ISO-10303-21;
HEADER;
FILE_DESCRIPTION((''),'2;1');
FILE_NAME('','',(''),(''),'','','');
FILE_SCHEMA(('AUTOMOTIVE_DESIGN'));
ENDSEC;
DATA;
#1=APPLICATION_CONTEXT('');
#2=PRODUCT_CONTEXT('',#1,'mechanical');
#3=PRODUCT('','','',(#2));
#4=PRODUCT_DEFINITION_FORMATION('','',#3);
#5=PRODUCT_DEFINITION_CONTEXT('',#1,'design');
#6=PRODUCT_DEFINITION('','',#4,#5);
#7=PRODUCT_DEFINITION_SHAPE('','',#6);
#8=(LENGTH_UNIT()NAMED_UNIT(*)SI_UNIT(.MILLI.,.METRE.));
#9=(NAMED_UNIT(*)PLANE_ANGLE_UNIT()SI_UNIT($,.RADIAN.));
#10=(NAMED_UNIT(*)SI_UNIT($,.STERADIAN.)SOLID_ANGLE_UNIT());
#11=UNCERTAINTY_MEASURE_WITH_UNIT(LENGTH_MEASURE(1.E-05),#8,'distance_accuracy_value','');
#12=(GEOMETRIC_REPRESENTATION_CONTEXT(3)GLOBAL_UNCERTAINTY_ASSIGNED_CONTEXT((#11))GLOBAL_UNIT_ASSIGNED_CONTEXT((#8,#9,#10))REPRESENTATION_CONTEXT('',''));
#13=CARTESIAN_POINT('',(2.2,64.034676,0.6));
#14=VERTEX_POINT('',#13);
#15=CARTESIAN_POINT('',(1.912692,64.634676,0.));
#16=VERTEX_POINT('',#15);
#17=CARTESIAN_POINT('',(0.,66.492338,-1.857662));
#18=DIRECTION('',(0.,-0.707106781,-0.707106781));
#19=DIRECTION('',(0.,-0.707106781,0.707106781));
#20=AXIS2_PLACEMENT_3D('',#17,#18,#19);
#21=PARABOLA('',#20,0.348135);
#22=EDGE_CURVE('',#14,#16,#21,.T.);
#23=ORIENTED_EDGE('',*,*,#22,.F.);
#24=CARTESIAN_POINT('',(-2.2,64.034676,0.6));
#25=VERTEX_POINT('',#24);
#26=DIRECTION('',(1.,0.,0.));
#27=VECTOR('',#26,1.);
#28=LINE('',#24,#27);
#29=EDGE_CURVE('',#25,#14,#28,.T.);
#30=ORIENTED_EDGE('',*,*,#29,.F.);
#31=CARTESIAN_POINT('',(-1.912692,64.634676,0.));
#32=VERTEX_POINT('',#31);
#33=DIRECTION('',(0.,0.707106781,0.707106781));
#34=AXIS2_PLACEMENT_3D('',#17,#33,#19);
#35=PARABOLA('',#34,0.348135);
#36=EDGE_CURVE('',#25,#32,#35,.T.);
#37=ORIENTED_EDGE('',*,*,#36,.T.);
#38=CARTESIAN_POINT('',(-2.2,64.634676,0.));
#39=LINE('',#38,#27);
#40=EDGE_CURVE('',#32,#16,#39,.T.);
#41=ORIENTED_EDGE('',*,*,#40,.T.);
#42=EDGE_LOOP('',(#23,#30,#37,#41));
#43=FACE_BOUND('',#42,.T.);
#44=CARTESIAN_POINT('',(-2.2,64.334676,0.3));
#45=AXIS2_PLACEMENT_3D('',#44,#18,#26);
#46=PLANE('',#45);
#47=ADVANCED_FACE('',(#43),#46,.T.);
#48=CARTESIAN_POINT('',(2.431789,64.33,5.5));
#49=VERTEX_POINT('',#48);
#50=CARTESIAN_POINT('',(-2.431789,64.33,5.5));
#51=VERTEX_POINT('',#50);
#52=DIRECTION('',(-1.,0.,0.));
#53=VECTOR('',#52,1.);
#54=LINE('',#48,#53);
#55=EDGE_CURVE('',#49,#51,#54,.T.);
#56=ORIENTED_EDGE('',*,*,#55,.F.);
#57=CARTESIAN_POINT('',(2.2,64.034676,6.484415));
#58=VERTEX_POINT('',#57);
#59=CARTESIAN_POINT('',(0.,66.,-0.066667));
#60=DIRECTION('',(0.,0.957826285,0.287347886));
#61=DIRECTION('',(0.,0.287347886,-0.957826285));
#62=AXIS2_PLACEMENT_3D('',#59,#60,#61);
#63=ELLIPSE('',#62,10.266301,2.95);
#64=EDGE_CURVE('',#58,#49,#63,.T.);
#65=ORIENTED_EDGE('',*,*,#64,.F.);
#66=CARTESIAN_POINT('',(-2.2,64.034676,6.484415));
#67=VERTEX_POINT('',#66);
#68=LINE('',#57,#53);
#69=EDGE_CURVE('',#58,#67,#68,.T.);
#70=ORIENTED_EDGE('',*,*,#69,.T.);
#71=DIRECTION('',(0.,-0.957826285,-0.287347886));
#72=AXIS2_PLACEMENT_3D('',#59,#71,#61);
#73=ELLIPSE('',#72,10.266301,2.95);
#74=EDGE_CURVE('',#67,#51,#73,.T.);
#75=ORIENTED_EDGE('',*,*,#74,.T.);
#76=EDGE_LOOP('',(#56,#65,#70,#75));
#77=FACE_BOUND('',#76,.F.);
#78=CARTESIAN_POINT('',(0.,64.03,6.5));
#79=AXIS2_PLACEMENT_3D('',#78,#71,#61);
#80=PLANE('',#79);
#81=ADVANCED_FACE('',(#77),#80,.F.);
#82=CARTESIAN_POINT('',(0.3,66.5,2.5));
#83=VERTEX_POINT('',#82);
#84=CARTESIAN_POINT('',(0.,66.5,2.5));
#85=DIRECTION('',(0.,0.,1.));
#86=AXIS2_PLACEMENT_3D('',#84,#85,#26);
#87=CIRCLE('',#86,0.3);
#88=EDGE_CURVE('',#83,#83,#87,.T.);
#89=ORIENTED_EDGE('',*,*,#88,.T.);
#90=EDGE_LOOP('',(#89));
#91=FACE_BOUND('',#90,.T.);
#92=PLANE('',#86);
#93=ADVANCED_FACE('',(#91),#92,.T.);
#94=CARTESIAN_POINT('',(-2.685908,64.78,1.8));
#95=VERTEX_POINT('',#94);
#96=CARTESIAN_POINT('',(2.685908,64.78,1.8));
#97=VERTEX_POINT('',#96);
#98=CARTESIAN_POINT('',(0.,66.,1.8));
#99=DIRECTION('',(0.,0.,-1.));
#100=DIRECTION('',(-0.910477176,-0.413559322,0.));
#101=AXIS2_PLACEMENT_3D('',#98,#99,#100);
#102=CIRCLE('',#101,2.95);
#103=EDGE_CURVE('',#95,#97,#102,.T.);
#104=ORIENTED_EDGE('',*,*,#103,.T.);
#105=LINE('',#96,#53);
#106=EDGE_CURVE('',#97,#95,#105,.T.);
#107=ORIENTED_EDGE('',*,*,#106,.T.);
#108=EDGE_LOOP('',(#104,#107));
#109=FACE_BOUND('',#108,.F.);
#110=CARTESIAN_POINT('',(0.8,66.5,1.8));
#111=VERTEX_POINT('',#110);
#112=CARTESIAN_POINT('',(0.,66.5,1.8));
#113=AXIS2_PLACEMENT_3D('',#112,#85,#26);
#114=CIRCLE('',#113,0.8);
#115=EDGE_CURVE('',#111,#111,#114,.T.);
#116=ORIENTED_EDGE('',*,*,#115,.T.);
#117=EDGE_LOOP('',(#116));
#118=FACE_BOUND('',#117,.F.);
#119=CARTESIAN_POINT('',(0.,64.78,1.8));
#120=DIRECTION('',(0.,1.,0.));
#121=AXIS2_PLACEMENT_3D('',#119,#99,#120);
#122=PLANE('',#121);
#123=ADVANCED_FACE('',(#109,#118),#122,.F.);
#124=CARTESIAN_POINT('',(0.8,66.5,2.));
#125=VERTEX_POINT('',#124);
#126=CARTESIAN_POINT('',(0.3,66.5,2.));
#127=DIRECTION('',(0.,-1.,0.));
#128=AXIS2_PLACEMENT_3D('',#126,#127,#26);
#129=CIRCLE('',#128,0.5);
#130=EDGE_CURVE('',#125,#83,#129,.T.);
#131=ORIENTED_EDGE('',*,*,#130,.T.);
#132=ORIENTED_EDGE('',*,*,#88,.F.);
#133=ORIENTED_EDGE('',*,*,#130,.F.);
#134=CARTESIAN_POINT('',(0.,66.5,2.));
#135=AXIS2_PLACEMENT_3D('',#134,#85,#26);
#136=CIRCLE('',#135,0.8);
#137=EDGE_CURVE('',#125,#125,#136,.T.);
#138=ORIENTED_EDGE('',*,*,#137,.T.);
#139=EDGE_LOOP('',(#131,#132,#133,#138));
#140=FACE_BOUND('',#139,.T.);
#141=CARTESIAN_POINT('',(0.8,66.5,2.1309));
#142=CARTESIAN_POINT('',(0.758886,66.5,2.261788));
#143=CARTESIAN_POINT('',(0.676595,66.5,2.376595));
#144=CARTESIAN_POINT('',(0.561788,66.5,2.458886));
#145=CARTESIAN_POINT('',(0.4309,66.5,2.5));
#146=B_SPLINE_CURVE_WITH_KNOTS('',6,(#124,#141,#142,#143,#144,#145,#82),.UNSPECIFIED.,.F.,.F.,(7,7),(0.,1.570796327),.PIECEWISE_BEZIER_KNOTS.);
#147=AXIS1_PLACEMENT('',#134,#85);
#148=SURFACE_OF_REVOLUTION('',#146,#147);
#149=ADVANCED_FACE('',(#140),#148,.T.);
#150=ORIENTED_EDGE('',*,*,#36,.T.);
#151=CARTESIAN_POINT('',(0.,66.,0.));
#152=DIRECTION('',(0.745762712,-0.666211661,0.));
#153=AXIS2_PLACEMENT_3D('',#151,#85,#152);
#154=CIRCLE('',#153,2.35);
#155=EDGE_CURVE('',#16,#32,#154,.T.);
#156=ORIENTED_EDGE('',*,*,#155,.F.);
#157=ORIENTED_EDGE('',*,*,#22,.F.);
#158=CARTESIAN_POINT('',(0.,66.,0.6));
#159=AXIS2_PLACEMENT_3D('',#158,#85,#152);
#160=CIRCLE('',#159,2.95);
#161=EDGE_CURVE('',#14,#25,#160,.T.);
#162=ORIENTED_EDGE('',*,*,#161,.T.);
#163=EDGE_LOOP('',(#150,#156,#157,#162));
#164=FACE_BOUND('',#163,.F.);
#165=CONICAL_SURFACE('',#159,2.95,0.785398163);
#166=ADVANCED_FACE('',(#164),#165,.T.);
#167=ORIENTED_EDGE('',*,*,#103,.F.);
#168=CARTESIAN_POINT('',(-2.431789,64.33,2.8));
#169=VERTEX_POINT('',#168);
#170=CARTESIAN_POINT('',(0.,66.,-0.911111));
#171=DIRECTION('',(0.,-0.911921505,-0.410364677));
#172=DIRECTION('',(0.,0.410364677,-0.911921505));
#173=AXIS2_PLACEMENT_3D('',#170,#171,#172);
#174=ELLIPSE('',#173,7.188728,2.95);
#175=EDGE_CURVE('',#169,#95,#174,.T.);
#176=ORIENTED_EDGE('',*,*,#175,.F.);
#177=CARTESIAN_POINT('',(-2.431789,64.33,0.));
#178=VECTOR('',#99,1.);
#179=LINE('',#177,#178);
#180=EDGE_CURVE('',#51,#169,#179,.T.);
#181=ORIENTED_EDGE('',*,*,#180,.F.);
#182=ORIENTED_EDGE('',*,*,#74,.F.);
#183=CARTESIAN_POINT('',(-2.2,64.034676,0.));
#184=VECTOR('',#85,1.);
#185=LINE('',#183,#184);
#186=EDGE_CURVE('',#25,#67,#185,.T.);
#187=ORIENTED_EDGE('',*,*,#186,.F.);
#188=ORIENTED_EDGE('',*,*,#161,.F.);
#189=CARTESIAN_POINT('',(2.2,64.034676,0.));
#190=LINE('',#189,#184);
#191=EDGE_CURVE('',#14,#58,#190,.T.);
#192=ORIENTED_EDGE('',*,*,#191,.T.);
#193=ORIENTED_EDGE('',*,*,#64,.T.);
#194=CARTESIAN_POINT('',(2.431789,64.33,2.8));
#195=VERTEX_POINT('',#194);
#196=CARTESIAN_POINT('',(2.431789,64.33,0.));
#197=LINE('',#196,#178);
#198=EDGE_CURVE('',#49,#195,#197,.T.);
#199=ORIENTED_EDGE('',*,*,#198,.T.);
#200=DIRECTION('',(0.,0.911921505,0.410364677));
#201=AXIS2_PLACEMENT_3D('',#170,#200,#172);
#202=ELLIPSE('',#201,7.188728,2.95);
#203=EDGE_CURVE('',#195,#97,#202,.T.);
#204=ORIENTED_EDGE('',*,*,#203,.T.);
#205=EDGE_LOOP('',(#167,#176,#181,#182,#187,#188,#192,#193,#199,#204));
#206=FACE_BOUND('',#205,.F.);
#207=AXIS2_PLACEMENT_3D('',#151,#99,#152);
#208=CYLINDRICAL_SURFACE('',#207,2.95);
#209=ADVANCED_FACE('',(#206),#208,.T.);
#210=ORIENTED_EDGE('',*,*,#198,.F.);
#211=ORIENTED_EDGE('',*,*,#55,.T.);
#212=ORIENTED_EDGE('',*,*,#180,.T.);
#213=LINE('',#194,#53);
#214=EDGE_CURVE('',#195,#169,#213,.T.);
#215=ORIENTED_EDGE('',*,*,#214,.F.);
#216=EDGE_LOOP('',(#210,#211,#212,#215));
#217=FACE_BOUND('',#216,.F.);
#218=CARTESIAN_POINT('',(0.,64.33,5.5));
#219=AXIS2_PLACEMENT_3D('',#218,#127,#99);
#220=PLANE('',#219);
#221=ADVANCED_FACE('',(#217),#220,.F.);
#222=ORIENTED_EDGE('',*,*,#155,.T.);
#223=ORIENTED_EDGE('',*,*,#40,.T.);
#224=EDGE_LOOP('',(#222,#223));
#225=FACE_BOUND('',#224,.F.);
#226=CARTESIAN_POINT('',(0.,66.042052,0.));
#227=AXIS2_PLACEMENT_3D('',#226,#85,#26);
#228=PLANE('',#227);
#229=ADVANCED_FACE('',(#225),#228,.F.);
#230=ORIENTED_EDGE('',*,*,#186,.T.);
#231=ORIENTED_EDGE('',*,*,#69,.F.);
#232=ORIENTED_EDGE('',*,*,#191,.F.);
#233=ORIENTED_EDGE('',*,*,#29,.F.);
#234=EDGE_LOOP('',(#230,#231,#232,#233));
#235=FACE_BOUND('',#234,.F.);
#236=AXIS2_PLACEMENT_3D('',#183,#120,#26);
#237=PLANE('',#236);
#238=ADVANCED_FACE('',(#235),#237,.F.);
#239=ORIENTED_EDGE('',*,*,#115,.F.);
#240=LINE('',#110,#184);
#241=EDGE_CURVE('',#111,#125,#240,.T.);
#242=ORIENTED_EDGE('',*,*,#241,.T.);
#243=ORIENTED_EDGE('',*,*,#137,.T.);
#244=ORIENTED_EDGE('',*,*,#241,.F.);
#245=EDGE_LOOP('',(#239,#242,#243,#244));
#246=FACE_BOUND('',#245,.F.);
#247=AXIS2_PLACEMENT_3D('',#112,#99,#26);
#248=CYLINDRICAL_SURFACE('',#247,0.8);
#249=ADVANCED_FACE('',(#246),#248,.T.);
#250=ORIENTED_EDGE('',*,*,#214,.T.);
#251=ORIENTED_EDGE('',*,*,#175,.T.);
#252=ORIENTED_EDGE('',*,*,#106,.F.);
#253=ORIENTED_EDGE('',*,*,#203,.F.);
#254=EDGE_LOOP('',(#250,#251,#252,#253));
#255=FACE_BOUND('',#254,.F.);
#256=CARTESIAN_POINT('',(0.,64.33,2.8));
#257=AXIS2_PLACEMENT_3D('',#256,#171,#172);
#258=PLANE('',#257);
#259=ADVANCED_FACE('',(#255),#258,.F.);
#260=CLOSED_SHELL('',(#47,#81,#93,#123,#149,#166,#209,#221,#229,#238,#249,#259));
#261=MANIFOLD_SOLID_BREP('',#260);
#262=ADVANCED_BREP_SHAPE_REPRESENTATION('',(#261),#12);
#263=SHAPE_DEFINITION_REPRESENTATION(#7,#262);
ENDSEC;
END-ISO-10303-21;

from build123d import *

# Parameters (mm, degrees)
PAD003_DEPTH         = 6.5
POCKET004_DEPTH      = 2.951
POCKET004_DEPTH_BACK = 2.951
SKETCH013_R          = 0.8
PAD006_DEPTH         = 0.7
FILLET_R             = 0.5
CHAMFER004_SIZE      = 0.6


with BuildPart() as part:
    # Sketch004 → Pad003 (new body)
    with BuildSketch(Plane.XY):
        with BuildLine():
            ThreePointArc((2.2, -1.9653244007), (0, 2.95), (-2.2, -1.9653244007))
            Line((-2.2, -1.9653244007), (2.2, -1.9653244007))
        make_face()
    extrude(amount=PAD003_DEPTH)

    # Sketch014 → Pocket004 (cut, two sides)
    with BuildSketch(Plane.YZ) as pocket004_sk:
        Polygon((-1.97, 6.5), (-1.67, 5.5), (-1.67, 2.8), (-1.22, 1.8), (4, 1.8), (4, 6.5), align=None)
    extrude(amount=-POCKET004_DEPTH, mode=Mode.SUBTRACT)
    extrude(pocket004_sk.sketch, amount=POCKET004_DEPTH_BACK, mode=Mode.SUBTRACT)

    # Sketch013 (on Face7 of Pocket004) → Pad006 (join)
    with BuildSketch(Plane.XY.offset(1.8)):
        with Locations((0, 0.5)):
            Circle(SKETCH013_R)
    extrude(amount=PAD006_DEPTH)

    # Fillet
    fillet_edges = [part.edges().sort_by_distance(p)[0] for p in [
        (-0.8, 0.5, 2.5),
    ]]
    fillet(fillet_edges, radius=FILLET_R)

    # Chamfer004
    chamfer004_edges = [part.edges().sort_by_distance(p)[0] for p in [
        (0, 2.95, 0),
        (0, -1.965324, 0),
    ]]
    chamfer(chamfer004_edges, length=CHAMFER004_SIZE)


with BuildPart() as part_1:
    # Body030 placement: moved
    add(part.part.moved(Location((0, 66, 0))))


solid = part_1.part
